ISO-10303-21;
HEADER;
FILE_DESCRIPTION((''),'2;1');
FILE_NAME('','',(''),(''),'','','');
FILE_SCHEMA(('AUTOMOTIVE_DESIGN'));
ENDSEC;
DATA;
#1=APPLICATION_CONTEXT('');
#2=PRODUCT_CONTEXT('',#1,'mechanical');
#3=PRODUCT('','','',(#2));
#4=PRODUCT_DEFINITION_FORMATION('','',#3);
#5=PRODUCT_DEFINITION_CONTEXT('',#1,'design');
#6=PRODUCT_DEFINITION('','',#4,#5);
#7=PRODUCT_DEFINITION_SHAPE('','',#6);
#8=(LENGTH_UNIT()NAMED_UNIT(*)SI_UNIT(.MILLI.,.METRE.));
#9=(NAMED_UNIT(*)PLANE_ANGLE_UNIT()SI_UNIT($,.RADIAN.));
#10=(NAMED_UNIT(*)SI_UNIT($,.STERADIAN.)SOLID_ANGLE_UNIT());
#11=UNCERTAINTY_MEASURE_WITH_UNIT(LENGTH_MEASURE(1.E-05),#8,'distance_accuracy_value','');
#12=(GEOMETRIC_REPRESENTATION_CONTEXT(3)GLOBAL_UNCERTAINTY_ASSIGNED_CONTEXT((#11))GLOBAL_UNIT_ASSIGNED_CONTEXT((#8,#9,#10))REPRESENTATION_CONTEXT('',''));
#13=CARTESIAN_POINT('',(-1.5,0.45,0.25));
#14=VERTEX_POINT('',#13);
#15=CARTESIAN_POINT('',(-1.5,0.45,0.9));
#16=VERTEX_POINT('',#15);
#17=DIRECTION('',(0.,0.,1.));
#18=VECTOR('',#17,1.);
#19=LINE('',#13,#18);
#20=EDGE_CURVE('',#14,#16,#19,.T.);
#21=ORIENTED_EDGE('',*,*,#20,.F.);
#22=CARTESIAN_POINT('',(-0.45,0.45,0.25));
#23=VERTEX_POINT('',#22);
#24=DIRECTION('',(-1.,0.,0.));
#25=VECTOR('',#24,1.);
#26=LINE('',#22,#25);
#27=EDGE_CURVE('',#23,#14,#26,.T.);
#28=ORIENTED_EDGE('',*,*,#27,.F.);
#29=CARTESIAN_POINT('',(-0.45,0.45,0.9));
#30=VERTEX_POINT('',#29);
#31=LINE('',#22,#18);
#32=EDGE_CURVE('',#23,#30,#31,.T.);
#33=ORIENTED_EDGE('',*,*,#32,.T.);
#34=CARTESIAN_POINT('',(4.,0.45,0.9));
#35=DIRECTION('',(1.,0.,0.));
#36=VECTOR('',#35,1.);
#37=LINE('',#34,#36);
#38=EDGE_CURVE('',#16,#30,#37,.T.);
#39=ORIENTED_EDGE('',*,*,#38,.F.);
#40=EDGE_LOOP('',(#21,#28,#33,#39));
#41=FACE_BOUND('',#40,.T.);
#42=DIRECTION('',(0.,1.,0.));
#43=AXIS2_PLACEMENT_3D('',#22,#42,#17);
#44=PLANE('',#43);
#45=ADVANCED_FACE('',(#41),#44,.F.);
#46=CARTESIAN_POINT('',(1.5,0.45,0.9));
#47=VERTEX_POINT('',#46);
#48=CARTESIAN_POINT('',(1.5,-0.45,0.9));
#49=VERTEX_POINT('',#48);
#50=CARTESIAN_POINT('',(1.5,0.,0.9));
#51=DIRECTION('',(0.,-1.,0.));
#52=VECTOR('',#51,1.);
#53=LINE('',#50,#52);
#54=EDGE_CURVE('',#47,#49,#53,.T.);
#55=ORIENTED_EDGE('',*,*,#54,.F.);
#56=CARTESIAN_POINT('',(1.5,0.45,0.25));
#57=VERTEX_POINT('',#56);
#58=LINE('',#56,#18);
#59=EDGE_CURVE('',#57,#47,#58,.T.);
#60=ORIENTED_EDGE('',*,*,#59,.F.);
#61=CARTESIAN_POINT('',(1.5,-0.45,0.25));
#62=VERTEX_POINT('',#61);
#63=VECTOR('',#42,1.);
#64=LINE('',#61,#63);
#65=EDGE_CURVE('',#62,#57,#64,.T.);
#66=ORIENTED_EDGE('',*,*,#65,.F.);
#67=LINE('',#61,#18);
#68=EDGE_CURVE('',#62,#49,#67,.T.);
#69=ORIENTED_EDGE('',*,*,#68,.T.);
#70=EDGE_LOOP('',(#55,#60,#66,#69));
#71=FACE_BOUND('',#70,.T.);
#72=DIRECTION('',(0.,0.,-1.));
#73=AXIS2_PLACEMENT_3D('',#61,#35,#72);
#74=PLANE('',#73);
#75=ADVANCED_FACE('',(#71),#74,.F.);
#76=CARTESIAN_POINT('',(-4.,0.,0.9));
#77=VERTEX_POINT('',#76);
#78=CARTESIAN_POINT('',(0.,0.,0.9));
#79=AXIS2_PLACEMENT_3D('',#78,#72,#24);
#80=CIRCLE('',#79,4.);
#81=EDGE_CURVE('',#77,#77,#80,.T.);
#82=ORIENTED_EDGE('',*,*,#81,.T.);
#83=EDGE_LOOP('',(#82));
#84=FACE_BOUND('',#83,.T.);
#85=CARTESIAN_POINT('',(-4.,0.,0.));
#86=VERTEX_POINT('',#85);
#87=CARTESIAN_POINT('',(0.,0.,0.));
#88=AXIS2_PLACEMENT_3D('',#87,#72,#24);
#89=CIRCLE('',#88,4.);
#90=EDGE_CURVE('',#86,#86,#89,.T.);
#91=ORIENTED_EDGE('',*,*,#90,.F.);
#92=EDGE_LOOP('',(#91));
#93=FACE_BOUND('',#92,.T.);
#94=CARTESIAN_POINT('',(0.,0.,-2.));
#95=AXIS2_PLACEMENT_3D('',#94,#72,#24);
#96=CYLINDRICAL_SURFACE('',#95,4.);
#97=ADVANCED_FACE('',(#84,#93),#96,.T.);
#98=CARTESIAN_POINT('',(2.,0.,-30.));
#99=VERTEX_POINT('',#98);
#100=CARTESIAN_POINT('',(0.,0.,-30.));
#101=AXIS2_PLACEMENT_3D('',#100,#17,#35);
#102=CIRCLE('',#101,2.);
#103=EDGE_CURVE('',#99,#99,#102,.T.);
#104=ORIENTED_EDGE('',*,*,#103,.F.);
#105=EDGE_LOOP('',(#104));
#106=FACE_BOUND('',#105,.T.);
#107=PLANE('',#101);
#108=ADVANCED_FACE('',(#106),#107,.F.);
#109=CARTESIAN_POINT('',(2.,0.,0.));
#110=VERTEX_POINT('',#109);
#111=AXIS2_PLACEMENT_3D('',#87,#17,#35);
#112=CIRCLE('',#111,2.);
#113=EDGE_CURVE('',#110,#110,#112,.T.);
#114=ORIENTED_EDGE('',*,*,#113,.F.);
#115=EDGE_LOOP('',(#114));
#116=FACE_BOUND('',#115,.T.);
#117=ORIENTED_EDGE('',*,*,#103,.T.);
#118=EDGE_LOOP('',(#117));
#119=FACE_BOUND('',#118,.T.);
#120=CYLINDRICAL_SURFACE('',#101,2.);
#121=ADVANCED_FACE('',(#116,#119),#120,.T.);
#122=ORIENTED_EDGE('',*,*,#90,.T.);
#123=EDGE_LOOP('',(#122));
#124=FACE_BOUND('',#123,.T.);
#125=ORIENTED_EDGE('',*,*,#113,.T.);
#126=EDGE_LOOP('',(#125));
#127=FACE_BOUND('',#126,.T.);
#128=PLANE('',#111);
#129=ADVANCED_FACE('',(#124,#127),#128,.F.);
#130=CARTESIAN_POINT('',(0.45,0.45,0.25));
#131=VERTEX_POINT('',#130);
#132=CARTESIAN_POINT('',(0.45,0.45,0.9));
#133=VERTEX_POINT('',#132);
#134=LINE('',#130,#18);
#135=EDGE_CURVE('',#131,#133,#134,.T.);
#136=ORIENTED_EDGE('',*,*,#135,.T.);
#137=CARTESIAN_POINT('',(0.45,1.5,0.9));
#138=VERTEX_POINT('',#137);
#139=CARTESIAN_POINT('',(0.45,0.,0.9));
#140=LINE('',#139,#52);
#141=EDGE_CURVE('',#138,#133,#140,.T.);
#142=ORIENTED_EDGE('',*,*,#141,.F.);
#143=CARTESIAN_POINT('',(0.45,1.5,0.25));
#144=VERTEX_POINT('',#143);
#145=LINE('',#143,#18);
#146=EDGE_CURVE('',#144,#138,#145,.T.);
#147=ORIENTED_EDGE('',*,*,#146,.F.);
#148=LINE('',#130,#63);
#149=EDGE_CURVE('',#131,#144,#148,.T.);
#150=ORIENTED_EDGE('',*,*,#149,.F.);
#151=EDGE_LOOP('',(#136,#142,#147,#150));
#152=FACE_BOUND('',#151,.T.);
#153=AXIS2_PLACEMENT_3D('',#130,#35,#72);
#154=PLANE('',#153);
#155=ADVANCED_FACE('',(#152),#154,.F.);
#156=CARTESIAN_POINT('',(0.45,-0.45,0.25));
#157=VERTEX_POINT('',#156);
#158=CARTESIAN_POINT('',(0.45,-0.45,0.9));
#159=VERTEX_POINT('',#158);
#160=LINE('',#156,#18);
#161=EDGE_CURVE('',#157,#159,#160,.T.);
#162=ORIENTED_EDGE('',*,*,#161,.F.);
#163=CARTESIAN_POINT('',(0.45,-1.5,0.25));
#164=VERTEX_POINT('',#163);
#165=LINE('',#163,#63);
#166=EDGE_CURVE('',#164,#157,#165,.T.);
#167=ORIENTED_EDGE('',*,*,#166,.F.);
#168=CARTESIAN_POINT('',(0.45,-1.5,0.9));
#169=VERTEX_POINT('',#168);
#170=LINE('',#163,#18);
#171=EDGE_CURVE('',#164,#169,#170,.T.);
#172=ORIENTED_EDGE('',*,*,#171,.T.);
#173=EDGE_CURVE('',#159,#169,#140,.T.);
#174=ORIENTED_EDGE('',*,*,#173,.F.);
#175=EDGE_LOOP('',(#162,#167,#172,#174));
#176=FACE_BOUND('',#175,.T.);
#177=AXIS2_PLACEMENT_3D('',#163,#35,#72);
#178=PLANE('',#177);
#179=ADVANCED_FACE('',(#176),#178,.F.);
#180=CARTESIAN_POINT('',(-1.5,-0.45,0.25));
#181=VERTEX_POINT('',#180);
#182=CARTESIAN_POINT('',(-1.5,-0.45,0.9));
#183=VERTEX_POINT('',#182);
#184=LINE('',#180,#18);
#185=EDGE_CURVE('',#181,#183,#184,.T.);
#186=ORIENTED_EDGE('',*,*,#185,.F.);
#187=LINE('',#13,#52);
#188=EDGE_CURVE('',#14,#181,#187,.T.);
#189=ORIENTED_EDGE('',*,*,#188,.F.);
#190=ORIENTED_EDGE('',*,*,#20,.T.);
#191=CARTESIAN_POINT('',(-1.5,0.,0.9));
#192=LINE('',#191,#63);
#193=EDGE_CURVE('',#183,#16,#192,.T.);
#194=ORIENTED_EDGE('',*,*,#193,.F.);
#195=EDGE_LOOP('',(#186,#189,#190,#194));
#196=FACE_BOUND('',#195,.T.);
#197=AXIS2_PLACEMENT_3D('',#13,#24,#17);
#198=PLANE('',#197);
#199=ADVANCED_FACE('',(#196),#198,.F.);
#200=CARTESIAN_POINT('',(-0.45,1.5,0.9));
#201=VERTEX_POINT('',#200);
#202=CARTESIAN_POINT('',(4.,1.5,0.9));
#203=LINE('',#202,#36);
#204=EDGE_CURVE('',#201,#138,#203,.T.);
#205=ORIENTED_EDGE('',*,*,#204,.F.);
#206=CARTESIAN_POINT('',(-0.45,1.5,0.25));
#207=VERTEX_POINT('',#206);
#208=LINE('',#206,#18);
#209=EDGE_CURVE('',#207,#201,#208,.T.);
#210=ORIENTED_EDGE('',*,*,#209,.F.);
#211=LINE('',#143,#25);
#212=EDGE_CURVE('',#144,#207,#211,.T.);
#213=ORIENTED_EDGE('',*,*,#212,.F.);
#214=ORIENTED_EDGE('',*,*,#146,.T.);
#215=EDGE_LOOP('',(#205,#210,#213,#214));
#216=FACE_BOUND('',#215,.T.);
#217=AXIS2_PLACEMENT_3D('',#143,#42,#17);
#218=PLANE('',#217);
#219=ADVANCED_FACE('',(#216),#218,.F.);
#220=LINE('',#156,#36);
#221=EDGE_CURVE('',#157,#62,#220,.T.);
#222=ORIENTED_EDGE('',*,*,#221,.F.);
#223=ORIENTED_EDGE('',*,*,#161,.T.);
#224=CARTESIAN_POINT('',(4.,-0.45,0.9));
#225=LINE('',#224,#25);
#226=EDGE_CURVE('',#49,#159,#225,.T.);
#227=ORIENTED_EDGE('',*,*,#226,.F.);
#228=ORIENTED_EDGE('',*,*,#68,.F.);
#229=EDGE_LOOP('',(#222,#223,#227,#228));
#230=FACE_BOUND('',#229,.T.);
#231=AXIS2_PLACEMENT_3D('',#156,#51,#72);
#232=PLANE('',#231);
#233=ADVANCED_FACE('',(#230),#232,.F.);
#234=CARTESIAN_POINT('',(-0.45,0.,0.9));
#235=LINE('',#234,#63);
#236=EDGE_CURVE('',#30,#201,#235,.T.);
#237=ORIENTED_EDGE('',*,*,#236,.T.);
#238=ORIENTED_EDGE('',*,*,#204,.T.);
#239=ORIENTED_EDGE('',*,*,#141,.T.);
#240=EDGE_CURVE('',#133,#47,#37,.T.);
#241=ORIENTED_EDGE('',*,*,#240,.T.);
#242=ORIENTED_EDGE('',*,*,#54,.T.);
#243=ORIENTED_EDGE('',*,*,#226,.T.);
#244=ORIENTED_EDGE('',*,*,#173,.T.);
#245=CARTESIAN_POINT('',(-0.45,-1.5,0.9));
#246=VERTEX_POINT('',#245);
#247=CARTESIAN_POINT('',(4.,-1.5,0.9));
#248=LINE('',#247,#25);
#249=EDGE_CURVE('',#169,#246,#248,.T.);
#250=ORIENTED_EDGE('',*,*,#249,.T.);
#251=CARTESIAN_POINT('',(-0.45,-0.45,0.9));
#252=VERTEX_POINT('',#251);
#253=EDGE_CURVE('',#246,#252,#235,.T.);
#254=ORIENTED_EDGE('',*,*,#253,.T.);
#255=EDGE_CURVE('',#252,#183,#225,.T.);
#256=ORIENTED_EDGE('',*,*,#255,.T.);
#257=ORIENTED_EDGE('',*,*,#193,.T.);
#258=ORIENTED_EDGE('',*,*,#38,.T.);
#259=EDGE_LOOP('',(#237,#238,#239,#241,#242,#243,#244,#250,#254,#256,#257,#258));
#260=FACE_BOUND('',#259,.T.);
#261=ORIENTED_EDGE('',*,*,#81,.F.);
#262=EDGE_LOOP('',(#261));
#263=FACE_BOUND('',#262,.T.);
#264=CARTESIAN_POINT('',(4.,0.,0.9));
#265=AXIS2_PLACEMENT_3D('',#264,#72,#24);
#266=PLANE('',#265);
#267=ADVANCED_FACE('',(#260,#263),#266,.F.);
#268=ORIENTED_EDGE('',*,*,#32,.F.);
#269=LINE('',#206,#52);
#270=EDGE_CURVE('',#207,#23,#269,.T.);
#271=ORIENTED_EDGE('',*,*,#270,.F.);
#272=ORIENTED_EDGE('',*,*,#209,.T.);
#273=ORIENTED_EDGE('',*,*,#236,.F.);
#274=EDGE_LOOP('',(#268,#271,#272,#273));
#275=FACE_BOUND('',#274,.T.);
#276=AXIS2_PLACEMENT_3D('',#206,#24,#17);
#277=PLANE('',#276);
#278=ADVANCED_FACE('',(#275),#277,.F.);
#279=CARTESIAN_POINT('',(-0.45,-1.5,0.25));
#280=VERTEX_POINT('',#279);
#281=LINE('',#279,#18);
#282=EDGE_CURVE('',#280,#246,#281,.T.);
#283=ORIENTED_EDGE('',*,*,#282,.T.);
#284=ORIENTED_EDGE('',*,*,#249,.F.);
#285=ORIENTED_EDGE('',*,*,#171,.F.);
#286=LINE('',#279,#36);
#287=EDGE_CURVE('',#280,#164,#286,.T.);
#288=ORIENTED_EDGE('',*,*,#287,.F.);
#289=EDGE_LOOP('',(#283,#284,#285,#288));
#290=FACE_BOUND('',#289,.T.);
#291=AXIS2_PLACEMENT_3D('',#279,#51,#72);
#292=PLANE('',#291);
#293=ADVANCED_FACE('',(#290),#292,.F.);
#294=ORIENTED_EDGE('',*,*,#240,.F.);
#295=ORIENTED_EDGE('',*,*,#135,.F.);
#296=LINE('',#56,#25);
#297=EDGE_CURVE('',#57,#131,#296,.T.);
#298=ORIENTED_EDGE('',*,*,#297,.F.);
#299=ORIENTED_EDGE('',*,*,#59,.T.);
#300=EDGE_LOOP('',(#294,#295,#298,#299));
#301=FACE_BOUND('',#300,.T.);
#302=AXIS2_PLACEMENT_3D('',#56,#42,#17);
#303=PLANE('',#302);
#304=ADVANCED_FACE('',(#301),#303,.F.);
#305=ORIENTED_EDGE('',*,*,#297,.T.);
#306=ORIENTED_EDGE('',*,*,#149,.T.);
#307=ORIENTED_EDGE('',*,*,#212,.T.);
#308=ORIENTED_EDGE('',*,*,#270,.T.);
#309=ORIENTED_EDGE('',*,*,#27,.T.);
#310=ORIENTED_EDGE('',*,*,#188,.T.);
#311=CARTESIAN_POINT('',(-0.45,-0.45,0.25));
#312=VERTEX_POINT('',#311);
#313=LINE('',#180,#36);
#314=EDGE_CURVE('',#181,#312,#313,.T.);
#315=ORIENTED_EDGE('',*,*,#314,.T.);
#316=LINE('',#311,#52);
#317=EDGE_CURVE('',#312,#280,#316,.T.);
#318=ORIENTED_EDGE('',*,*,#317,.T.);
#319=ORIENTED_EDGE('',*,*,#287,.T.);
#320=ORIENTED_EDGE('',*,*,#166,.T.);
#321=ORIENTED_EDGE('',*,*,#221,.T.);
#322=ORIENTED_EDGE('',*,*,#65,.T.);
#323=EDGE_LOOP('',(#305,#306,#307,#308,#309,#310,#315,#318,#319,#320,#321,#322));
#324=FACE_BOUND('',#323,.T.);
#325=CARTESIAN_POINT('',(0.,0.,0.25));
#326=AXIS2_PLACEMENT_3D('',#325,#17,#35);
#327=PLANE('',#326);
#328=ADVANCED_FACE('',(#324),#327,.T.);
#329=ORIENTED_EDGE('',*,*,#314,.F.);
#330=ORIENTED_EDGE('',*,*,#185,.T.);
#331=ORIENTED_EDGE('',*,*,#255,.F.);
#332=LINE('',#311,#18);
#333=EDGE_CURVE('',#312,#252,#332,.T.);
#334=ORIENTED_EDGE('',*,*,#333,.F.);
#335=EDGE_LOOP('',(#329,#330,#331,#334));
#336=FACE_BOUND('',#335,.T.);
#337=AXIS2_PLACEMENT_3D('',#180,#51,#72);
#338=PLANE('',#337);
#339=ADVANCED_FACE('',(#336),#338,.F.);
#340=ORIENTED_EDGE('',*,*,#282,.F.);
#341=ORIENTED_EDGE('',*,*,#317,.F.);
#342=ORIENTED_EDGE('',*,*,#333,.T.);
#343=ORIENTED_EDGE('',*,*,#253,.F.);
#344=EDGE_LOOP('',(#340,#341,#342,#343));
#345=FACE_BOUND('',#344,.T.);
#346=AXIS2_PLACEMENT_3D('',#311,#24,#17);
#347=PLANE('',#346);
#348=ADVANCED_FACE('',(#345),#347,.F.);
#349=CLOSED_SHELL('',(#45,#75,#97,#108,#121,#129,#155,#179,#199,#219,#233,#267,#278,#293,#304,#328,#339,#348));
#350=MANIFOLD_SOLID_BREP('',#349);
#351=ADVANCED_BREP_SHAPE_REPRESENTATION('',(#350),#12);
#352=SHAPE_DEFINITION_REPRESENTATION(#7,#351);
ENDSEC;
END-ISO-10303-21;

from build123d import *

# Parameters (mm, degrees)
SKETCH_1_R        = 2
EXTRUDE_198_DEPTH = 30
SKETCH_6_W        = 4
SKETCH_6_H        = 0.9
PH2_START         = 0.91
PH2_DEPTH         = 0.66


with BuildPart() as part:
    # 草图1 → Extrude 198 (new body)
    with BuildSketch(Plane.XY):
        Circle(SKETCH_1_R)
    extrude(amount=-EXTRUDE_198_DEPTH)

    # 草图6 → Revolve 324 (revolve)
    with BuildSketch(Plane(origin=(0, 0, 0), x_dir=(1, 0, 0), z_dir=(0, 1, 0)), mode=Mode.PRIVATE) as revolve_324_sk:
        with Locations((2, -0.45)):
            Rectangle(SKETCH_6_W, SKETCH_6_H)
    revolve(revolve_324_sk.sketch.rotate(Axis((0, 0, -2), (0, 0, 1)), 180), axis=Axis((0, 0, -2), (0, 0, 1)))

    # 草图7 → 十字槽_PH2_简化 (cut)
    with BuildSketch(Plane.XY.offset(PH2_START)):
        Polygon((-0.45, -1.5), (0.45, -1.5), (0.45, -0.45), (1.5, -0.45), (1.5, 0.45), (0.45, 0.45), (0.45, 1.5), (-0.45, 1.5), (-0.45, 0.45), (-1.5, 0.45), (-1.5, -0.45), (-0.45, -0.45), align=None)
    extrude(amount=-PH2_DEPTH, mode=Mode.SUBTRACT)


solid = part.part
